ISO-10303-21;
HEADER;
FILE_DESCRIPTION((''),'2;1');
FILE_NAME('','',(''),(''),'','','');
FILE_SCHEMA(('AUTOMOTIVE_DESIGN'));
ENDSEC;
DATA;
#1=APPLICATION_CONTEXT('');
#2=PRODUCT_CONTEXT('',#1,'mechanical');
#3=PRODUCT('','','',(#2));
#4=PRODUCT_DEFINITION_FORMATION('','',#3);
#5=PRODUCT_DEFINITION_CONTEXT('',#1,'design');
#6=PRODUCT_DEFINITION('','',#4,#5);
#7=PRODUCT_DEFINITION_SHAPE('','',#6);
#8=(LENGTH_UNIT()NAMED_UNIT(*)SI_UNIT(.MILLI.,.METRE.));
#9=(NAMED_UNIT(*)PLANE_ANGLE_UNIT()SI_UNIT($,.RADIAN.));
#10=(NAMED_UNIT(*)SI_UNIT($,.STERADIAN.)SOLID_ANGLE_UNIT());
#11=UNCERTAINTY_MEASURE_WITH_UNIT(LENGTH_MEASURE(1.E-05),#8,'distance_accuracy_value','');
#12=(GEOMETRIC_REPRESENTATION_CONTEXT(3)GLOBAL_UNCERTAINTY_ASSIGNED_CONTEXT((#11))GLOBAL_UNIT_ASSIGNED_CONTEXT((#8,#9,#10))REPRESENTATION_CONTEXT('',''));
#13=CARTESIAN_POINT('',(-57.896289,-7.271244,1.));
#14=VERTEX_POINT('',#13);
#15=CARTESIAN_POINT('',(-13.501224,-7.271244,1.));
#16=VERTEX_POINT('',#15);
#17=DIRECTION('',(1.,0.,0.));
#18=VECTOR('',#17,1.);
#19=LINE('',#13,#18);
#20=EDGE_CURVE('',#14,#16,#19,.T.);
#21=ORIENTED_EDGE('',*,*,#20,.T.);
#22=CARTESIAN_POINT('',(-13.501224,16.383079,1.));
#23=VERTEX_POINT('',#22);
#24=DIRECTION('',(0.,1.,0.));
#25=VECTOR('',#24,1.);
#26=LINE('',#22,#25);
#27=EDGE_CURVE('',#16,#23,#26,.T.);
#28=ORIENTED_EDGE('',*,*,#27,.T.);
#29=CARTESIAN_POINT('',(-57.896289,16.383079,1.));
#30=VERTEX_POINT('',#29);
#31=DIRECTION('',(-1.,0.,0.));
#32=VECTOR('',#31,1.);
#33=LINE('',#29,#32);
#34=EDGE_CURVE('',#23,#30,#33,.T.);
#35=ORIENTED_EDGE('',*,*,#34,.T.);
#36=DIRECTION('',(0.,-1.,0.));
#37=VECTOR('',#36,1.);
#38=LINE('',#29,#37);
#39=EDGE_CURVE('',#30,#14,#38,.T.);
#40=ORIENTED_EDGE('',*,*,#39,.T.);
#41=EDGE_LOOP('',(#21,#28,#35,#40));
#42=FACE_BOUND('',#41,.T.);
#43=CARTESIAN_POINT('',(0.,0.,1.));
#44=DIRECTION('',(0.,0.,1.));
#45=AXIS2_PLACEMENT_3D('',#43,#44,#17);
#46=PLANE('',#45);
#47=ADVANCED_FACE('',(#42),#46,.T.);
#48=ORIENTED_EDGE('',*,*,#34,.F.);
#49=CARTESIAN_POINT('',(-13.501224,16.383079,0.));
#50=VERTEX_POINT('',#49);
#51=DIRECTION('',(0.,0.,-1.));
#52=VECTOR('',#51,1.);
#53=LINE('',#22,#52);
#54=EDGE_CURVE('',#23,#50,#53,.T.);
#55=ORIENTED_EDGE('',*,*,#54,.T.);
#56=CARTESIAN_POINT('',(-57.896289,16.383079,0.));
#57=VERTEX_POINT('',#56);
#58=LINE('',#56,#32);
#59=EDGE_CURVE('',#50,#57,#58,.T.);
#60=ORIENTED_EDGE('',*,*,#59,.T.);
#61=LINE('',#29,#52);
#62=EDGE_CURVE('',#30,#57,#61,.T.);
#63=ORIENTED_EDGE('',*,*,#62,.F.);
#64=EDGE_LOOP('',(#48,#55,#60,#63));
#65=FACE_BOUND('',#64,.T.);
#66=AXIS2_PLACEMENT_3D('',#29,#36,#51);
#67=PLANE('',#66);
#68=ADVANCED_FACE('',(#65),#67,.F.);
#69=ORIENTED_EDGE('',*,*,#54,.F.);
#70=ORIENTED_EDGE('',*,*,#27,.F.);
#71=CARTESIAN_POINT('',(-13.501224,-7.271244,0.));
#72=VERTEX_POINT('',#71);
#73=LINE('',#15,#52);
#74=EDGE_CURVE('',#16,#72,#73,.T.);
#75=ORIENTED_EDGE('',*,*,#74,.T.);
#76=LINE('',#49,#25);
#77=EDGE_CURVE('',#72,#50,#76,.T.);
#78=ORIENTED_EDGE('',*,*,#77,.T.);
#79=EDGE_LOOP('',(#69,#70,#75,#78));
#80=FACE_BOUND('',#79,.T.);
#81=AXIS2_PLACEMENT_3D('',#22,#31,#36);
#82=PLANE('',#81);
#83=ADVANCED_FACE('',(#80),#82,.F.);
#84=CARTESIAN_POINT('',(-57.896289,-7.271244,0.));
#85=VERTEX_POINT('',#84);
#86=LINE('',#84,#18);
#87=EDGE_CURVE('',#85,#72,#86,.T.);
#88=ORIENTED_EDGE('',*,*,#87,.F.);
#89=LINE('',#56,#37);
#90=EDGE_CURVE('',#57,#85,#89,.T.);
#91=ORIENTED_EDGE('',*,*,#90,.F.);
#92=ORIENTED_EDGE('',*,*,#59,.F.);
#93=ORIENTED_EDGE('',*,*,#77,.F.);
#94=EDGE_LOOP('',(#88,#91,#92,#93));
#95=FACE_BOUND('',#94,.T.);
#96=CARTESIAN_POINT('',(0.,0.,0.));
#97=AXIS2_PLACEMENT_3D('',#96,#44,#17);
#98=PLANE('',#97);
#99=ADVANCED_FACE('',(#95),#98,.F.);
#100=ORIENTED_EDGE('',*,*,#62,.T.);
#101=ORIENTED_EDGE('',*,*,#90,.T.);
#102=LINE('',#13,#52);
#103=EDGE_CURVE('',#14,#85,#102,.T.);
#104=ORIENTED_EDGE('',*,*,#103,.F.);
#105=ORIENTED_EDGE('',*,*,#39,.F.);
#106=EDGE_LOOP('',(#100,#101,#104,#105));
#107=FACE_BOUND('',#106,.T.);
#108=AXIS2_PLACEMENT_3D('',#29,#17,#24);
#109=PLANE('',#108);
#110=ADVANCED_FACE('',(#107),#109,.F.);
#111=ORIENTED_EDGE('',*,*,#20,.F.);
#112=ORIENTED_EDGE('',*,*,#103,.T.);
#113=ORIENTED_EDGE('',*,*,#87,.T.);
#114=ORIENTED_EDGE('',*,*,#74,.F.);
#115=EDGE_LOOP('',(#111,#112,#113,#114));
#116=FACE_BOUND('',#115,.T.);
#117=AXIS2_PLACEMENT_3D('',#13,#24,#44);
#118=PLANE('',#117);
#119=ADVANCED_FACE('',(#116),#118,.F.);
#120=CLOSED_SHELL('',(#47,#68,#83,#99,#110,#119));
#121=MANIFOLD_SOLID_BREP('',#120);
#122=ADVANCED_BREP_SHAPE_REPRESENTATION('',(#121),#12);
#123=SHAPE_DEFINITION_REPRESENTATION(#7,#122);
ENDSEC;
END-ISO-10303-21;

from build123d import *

# Parameters (mm, degrees)
CROQUIS1_W              = 44.39506519
CROQUIS1_H              = 23.65432296
SALIENTE_EXTRUIR1_DEPTH = 1


with BuildPart() as part:
    # Croquis1 → Saliente-Extruir1 (new body)
    with BuildSketch(Plane.XY):
        with Locations((-35.698756448, 4.555917957)):
            Rectangle(CROQUIS1_W, CROQUIS1_H)
    extrude(amount=SALIENTE_EXTRUIR1_DEPTH)


solid = part.part
